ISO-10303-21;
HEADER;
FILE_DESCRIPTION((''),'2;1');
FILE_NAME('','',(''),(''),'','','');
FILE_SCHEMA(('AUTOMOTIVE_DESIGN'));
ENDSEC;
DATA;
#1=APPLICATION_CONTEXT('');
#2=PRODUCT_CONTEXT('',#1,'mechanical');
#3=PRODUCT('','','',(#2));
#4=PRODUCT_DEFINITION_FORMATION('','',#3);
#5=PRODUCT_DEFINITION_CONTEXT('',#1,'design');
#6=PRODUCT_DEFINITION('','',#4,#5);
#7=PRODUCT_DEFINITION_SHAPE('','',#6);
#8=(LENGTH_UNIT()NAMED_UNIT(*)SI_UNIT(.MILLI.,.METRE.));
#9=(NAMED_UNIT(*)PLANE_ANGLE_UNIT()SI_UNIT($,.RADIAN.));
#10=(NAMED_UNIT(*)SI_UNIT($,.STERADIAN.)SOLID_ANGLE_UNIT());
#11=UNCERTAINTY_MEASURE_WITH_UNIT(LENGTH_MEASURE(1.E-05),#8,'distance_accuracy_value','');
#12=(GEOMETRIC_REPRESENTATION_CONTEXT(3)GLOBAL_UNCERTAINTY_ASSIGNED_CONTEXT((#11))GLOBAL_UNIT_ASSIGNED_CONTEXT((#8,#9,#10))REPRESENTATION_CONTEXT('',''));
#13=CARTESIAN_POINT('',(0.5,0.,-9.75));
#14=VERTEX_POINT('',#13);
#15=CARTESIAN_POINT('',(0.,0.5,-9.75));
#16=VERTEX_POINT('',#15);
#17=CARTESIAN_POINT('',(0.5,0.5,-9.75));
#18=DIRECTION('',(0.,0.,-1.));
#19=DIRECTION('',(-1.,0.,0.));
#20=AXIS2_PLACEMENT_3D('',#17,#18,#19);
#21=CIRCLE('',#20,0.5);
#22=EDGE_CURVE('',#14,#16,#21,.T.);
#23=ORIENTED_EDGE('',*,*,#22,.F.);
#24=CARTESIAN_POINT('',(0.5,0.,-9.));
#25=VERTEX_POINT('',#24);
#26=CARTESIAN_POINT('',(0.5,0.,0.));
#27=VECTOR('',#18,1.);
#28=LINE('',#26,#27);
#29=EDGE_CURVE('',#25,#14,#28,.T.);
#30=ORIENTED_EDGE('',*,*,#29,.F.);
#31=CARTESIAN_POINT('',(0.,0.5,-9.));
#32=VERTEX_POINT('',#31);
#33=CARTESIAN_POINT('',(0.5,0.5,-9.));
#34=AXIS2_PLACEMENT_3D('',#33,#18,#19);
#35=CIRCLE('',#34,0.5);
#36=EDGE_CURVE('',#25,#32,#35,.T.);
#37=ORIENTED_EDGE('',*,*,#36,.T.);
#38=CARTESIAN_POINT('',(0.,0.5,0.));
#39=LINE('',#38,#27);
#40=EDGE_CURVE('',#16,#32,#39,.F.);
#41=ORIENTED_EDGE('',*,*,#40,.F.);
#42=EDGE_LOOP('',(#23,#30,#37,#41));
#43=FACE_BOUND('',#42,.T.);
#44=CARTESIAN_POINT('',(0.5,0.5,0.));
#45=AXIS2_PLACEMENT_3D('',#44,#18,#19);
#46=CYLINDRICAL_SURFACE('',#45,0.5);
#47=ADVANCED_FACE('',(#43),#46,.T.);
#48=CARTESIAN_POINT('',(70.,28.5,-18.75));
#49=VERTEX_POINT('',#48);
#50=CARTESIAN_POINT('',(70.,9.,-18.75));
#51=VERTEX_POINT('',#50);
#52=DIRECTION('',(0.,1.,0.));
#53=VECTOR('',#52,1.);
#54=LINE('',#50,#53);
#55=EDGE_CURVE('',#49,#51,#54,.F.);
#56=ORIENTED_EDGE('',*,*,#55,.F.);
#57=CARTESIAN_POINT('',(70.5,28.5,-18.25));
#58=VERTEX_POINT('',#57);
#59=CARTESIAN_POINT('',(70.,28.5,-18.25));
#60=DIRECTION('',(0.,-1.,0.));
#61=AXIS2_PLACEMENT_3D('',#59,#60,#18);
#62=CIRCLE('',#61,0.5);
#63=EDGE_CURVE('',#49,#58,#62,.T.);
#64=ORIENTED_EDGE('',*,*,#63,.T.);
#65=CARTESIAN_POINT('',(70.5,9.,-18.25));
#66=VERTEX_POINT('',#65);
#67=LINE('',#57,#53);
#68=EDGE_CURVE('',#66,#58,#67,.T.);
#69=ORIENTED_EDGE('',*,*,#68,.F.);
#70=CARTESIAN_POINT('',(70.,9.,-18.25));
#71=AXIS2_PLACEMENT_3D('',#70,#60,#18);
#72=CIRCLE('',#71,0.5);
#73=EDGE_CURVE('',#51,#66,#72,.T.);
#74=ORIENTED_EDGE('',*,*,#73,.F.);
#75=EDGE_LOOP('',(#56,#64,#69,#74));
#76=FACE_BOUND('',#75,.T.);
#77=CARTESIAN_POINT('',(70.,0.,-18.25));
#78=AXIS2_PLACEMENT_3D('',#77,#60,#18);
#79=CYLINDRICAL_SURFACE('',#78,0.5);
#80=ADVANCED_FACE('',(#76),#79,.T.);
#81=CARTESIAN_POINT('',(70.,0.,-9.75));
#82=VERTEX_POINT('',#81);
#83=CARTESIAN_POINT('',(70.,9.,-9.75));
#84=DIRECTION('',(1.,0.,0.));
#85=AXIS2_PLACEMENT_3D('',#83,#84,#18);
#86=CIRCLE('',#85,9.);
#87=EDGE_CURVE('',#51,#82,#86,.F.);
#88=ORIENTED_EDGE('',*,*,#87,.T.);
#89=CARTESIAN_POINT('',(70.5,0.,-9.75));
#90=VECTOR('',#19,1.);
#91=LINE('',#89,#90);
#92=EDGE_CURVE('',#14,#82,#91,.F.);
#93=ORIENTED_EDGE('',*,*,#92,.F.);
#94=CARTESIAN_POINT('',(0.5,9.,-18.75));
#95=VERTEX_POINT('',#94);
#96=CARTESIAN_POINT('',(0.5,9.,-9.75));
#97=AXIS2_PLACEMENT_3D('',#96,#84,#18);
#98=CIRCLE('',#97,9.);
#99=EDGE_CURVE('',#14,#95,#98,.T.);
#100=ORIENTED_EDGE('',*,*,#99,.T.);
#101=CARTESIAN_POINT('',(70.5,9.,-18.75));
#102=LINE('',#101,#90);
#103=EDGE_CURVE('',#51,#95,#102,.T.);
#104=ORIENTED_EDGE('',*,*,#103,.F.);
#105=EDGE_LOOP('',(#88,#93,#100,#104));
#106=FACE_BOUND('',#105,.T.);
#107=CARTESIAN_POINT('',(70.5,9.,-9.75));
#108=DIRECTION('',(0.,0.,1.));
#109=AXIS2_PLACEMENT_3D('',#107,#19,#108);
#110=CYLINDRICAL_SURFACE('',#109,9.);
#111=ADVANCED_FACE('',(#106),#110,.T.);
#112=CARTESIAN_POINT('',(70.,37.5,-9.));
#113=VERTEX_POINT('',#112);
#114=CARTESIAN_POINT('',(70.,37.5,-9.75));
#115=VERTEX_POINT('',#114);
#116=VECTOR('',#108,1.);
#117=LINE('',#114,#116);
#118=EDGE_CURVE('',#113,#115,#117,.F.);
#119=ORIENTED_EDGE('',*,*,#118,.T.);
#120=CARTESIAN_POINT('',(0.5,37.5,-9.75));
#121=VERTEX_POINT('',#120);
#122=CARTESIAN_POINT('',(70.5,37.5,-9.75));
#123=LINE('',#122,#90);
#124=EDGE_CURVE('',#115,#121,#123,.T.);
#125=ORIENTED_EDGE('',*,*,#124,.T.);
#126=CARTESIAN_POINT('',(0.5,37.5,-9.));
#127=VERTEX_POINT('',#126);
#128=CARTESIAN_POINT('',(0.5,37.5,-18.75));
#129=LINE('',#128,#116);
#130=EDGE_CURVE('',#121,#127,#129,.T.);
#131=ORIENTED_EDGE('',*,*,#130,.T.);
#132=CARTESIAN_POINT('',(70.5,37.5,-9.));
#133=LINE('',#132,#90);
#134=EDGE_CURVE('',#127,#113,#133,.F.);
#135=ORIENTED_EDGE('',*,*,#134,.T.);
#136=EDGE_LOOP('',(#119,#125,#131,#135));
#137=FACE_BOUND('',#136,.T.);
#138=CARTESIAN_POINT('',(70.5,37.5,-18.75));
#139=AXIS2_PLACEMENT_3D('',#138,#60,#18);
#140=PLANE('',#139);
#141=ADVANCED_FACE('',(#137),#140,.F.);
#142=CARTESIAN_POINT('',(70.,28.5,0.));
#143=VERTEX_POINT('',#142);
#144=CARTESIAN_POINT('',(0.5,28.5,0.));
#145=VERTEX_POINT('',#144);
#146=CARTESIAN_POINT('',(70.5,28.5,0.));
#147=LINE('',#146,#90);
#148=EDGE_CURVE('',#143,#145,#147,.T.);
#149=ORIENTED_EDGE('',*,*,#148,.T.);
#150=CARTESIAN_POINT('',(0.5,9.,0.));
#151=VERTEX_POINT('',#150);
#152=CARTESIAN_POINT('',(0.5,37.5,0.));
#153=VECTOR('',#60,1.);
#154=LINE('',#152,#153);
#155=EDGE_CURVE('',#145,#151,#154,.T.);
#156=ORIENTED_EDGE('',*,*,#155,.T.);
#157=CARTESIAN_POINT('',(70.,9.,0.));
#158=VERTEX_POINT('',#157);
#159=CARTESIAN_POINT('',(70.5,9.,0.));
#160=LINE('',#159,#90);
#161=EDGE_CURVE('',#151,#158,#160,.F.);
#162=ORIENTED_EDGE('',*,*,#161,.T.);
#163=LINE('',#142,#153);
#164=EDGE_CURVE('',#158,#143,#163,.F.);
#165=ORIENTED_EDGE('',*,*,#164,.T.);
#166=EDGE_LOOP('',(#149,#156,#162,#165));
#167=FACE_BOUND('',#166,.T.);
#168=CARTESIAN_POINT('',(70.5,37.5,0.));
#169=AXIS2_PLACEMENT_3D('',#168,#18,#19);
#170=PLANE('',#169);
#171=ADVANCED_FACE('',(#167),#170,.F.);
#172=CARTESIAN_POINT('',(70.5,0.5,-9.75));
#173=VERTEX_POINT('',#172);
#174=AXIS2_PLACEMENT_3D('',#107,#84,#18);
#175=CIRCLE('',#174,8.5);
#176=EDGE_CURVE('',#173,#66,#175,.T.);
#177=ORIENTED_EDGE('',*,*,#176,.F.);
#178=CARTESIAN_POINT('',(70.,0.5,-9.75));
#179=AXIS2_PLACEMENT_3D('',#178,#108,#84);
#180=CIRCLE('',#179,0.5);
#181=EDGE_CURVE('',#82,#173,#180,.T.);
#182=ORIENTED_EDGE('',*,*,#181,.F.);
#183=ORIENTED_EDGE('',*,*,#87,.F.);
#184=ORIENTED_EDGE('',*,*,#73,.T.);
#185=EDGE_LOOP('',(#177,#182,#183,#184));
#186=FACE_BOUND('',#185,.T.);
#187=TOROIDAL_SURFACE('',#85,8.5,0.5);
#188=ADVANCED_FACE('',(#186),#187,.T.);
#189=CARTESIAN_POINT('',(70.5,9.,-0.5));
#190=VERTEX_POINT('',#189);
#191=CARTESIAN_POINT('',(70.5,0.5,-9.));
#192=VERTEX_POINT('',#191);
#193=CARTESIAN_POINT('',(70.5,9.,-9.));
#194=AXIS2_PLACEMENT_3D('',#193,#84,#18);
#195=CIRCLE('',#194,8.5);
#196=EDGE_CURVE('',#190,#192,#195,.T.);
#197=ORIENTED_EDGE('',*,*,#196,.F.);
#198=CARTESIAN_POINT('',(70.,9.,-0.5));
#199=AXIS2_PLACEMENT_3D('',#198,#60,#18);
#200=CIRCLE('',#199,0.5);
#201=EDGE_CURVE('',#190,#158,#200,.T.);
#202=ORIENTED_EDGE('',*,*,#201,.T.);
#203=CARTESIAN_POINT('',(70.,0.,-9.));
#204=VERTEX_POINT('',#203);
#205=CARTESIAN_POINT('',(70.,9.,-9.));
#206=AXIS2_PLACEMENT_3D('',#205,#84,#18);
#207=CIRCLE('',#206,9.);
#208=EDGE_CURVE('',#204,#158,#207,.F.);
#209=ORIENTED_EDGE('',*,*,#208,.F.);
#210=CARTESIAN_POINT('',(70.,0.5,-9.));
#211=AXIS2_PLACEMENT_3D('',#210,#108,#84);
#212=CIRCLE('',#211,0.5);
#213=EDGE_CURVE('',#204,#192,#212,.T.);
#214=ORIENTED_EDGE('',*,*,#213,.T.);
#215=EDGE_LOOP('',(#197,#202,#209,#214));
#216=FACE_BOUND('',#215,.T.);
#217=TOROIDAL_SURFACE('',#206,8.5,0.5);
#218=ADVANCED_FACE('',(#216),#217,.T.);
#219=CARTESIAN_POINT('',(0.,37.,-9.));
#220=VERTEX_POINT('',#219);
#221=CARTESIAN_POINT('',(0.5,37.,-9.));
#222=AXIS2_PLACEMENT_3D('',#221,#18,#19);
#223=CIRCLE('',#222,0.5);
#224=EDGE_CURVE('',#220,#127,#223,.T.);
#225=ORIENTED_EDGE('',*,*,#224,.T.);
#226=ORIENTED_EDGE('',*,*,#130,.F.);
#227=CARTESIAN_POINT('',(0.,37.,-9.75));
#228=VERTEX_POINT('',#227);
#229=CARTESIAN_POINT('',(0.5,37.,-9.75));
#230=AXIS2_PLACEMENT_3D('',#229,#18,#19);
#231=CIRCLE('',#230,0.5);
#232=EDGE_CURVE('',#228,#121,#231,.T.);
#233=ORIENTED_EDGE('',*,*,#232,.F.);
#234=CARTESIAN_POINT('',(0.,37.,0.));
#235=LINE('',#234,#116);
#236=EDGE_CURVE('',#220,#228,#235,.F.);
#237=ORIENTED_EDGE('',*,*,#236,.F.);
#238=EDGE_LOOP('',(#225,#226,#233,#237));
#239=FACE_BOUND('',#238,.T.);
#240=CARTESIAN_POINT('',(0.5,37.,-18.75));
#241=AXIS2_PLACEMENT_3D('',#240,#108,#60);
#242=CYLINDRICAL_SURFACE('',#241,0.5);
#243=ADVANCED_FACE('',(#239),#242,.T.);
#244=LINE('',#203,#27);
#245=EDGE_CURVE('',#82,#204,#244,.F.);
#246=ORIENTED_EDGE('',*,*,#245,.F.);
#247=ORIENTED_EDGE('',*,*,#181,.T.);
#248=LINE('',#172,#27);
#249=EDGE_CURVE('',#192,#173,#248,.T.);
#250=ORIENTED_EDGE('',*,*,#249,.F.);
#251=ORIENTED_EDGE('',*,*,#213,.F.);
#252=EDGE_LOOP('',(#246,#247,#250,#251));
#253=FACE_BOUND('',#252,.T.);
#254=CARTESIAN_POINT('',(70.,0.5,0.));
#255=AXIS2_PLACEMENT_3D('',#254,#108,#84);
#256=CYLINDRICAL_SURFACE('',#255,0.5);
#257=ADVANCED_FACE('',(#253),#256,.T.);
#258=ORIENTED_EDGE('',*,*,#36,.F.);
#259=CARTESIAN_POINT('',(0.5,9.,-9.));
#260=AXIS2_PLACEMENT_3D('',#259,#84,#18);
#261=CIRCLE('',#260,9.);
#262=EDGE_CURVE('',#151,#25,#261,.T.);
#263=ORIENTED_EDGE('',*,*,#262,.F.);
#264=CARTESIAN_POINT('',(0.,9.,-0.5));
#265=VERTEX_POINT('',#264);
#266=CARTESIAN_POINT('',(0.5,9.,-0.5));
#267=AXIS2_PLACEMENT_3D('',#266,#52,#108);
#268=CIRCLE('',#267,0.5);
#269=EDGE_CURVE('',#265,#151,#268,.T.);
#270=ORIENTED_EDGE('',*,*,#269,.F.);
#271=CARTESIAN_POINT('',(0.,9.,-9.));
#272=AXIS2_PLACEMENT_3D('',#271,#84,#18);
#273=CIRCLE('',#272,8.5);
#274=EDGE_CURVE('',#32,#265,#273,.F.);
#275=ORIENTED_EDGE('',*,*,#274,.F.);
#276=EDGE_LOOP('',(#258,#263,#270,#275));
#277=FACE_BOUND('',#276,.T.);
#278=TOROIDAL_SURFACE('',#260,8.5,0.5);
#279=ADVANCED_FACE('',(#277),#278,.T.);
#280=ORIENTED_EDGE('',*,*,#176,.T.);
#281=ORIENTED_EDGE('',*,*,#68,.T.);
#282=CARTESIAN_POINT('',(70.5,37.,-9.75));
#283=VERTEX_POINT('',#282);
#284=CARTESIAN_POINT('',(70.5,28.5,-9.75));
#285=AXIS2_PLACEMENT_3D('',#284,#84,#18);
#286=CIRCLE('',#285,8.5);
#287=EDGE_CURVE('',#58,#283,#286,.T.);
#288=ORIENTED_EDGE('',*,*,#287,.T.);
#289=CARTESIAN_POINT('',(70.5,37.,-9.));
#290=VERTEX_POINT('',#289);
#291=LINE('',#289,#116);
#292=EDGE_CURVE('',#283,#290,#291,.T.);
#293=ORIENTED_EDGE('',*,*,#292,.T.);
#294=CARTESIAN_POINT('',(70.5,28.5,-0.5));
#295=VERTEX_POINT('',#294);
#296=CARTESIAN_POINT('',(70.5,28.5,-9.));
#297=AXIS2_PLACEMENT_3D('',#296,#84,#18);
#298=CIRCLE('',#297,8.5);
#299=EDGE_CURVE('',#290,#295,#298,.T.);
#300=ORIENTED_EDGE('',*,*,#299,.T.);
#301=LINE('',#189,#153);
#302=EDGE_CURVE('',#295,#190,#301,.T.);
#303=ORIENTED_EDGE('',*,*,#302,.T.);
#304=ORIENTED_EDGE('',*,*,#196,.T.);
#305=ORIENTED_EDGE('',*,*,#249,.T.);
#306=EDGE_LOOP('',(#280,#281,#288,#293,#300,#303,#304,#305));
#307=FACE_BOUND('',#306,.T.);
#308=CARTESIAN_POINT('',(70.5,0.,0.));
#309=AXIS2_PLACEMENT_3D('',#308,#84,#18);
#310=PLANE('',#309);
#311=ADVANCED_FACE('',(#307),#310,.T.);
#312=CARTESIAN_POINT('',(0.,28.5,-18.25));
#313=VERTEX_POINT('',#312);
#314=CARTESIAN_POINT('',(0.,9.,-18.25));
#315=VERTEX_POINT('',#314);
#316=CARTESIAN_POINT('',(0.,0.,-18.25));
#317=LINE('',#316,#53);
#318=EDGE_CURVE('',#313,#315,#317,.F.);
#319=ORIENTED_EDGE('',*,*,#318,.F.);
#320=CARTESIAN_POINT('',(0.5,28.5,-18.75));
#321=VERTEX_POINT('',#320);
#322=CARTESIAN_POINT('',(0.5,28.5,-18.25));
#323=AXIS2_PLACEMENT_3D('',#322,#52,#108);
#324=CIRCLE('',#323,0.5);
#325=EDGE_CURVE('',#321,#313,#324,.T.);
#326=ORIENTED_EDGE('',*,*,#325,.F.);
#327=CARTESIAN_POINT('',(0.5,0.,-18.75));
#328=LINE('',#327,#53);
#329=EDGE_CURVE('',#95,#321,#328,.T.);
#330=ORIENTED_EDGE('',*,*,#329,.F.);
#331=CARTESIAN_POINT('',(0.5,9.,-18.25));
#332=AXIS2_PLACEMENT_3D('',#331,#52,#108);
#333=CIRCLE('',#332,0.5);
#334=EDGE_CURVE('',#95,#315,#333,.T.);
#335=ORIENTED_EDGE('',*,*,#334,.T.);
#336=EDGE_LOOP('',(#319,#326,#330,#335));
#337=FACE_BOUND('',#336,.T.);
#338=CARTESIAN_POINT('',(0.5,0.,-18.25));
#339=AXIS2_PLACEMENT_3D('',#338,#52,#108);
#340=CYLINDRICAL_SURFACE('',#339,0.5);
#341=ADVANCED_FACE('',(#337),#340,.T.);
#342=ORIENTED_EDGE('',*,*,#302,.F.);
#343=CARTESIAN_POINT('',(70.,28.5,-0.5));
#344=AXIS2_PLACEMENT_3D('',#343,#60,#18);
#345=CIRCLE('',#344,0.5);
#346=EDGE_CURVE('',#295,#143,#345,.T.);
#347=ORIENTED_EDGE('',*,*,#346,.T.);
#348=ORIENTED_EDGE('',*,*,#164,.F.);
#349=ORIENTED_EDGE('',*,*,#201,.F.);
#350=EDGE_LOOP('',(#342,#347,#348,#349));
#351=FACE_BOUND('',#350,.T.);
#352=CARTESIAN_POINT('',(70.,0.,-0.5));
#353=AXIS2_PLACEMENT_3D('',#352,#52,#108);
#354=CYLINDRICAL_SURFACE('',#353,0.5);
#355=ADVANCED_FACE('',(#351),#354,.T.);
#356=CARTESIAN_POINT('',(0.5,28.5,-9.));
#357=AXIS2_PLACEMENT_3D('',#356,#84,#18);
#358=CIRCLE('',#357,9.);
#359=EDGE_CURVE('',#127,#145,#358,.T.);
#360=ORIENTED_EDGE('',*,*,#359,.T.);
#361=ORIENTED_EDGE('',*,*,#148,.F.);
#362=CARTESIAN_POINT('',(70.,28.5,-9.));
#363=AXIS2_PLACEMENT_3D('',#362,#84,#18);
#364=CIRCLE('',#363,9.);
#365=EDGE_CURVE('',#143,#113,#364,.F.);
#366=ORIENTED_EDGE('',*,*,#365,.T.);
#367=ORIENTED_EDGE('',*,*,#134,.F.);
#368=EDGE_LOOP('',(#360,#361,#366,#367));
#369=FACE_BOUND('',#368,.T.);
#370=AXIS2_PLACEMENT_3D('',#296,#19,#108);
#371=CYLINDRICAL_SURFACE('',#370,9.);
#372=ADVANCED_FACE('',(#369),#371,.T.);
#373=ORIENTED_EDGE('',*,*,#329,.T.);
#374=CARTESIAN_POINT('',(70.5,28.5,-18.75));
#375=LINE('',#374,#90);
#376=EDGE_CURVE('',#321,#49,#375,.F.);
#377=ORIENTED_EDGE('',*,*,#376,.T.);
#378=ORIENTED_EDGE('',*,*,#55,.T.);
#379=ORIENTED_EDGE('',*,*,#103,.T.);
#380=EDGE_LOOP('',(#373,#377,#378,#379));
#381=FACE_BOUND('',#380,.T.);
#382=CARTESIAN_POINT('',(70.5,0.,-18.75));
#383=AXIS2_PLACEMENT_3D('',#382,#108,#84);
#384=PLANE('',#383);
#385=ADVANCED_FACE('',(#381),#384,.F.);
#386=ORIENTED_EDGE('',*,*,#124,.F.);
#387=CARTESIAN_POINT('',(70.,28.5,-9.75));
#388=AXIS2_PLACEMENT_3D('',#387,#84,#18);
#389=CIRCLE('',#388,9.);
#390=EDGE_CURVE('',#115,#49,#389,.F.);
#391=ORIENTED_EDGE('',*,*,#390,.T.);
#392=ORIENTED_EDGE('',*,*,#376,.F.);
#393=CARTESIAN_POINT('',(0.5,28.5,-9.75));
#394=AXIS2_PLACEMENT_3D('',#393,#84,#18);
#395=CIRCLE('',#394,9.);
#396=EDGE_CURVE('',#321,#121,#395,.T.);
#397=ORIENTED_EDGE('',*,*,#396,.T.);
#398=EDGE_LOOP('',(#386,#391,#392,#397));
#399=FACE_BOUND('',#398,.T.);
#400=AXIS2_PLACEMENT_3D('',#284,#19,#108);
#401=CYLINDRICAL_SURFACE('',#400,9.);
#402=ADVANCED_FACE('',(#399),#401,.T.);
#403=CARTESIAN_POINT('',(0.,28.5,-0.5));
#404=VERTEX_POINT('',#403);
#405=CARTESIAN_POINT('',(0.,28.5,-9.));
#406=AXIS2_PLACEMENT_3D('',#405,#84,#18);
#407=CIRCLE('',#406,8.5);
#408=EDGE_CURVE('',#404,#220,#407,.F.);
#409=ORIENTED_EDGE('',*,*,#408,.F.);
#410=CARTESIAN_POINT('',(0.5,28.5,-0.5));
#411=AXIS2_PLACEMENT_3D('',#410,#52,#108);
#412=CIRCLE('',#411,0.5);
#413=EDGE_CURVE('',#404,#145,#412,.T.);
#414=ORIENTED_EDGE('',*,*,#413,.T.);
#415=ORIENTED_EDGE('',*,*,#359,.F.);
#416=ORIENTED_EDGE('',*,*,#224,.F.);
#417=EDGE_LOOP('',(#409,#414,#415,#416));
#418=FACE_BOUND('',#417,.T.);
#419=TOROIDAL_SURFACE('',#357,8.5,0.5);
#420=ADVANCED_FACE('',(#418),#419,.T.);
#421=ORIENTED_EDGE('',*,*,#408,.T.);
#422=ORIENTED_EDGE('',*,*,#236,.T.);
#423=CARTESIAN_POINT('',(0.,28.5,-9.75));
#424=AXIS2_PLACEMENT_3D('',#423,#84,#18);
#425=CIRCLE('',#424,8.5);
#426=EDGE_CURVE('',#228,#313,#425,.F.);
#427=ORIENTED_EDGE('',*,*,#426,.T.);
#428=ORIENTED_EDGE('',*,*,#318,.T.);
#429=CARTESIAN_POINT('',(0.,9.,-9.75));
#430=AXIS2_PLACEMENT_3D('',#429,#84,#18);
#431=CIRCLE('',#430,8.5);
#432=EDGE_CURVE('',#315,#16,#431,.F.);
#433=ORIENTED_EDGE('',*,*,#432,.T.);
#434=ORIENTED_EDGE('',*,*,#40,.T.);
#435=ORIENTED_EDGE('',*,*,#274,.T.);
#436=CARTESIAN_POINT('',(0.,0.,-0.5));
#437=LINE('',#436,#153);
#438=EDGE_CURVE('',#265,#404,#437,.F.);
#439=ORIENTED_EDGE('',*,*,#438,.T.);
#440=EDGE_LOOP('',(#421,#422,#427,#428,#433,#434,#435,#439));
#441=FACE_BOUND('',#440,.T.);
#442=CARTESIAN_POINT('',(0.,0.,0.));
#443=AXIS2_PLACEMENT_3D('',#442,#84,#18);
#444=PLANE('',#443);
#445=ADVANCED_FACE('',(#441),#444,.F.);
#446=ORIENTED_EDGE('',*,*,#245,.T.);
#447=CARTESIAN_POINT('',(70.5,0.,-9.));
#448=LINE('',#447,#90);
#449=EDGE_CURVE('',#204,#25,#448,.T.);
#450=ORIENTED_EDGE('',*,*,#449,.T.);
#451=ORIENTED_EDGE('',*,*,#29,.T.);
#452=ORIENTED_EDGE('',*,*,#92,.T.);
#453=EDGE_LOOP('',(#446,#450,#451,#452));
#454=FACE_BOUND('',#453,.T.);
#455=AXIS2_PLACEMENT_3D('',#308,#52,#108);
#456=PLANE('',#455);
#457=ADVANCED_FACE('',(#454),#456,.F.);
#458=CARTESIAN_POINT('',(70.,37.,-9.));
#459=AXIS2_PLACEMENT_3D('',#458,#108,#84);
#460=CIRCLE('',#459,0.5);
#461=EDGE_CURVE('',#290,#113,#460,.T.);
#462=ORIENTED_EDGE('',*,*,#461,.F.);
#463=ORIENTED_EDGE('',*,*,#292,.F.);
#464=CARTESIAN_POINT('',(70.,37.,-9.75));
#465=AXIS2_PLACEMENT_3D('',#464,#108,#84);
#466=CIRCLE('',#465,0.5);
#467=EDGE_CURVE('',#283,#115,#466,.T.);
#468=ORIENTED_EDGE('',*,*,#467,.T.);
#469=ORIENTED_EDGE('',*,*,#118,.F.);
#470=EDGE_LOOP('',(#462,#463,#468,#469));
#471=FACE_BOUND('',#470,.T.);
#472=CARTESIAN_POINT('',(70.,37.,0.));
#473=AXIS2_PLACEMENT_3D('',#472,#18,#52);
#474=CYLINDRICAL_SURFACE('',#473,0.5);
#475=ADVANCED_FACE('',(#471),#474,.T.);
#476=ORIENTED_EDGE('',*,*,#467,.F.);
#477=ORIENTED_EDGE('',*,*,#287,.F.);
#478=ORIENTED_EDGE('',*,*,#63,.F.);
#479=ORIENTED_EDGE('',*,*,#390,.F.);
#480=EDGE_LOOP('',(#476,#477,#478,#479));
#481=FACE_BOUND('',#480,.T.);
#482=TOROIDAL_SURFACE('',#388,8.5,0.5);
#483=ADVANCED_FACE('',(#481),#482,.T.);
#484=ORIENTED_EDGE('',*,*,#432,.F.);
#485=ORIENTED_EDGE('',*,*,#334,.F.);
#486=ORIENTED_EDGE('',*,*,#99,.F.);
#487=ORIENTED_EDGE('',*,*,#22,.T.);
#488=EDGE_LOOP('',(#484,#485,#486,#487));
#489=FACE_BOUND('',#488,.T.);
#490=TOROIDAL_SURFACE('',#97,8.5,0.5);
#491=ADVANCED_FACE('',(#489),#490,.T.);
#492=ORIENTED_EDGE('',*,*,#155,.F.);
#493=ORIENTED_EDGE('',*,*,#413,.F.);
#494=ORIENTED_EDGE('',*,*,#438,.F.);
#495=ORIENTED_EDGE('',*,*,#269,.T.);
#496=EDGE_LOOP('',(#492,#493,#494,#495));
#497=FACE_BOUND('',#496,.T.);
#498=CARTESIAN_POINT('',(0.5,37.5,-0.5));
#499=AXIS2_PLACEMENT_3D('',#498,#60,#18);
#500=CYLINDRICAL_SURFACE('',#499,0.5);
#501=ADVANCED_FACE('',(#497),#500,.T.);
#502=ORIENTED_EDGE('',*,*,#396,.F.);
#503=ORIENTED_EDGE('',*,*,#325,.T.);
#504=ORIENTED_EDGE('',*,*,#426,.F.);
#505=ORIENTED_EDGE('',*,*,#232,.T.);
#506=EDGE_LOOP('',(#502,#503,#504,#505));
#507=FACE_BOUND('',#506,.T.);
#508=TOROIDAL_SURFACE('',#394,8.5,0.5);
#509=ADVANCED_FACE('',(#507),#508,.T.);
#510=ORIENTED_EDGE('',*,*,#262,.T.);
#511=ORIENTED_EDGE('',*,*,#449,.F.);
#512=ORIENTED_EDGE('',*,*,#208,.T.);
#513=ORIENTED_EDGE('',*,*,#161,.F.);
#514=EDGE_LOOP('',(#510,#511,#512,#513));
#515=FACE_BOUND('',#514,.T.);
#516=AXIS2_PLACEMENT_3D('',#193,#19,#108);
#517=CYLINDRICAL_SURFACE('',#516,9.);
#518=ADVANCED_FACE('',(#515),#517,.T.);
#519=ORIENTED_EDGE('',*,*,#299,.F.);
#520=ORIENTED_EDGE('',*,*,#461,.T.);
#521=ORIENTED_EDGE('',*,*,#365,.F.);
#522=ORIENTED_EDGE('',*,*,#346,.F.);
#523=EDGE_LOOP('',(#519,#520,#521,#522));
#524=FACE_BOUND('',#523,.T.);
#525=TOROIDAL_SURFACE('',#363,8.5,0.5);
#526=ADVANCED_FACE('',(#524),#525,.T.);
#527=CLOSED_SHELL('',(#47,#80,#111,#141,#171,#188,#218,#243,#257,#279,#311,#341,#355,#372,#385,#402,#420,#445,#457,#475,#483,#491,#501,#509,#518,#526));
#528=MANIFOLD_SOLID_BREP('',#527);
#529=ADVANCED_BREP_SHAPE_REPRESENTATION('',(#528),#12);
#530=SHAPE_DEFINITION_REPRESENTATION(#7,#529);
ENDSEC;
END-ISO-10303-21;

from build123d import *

# Parameters (mm, degrees)
SKETCH_1_W      = 18.75
SKETCH_1_H      = 37.5
EXTRUDE_1_DEPTH = 70.5
FILLET_1_R      = 9
FILLET_2_R      = 0.5


with BuildPart() as part:
    # 草图1 → 凸台-拉伸1 (new body)
    with BuildSketch(Plane(origin=(0, 0, 0), x_dir=(0, 0, -1), z_dir=(1, 0, 0))):
        with Locations((9.375, 18.75)):
            Rectangle(SKETCH_1_W, SKETCH_1_H)
    extrude(amount=EXTRUDE_1_DEPTH)

    # 圆角1
    fillet_1_edges = [part.edges().sort_by_distance(p)[0] for p in [
        (35.25, 37.5, 0),
        (35.25, 37.5, -18.75),
        (35.25, 0, -18.75),
        (35.25, 0, 0),
    ]]
    fillet(fillet_1_edges, radius=FILLET_1_R)

    # 圆角2
    fillet_2_edges = [part.edges().sort_by_distance(p)[0] for p in [
        (0, 18.75, -18.75),
        (70.5, 18.75, -18.75),
        (0, 18.75, 0),
        (0, 37.5, -9.375),
        (0, 0, -9.375),
        (0, 34.863961031, -2.636038969),
        (0, 34.863961031, -16.113961031),
        (0, 2.636038969, -2.636038969),
        (0, 2.636038969, -16.113961031),
        (70.5, 0, -9.375),
        (70.5, 18.75, 0),
        (70.5, 37.5, -9.375),
        (70.5, 34.863961031, -2.636038969),
        (70.5, 34.863961031, -16.113961031),
        (70.5, 2.636038969, -2.636038969),
        (70.5, 2.636038969, -16.113961031),
    ]]
    fillet(fillet_2_edges, radius=FILLET_2_R)


solid = part.part
